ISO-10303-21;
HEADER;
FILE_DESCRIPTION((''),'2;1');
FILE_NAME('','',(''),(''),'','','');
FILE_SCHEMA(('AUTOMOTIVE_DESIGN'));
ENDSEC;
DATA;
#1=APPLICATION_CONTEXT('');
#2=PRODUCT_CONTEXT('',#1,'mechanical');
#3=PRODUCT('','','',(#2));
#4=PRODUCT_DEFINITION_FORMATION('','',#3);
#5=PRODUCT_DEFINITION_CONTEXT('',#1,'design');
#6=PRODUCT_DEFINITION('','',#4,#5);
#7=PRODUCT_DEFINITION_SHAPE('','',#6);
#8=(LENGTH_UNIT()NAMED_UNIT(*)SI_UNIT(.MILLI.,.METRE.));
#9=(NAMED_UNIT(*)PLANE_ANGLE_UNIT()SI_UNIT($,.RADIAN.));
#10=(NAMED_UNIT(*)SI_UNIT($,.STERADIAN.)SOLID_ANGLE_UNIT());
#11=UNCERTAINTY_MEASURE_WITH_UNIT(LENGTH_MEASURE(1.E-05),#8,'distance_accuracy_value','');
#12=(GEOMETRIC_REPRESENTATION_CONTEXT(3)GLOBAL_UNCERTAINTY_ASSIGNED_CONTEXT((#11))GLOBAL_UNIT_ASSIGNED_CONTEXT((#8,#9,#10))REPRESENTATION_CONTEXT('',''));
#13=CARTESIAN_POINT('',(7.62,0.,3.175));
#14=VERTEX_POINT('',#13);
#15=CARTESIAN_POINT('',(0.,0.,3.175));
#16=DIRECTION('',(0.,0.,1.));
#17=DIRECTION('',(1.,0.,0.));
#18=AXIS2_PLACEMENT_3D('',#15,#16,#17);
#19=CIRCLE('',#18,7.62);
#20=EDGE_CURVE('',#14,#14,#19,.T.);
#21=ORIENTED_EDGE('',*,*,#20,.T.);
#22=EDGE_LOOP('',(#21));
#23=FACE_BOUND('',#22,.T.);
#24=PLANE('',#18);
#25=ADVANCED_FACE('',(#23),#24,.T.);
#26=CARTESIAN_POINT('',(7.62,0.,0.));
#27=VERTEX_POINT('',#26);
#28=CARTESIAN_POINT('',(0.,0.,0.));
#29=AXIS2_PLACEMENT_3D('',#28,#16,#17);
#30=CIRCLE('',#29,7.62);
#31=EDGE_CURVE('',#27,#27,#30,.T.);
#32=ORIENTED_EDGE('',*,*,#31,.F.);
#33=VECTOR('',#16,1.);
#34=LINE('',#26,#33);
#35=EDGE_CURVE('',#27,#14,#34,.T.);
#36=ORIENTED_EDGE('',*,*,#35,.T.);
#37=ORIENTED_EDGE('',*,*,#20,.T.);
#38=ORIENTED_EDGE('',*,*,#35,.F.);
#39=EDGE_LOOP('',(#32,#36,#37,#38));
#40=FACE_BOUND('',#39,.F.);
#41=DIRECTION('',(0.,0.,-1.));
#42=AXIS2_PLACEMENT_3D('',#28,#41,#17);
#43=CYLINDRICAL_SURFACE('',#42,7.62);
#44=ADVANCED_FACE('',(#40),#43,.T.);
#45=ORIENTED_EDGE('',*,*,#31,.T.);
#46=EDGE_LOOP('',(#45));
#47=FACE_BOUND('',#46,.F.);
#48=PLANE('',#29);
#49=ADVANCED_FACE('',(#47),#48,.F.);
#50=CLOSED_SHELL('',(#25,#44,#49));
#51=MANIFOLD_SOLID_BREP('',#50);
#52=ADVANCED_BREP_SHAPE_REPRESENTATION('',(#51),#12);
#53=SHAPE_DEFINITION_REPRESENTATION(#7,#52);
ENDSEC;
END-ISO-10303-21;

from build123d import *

# Parameters (mm, degrees)
SKETCH_R  = 7.62
PAD_DEPTH = 3.175


with BuildPart() as part:
    # Sketch → Pad (new body)
    with BuildSketch(Plane.XY):
        Circle(SKETCH_R)
    extrude(amount=PAD_DEPTH)


solid = part.part
